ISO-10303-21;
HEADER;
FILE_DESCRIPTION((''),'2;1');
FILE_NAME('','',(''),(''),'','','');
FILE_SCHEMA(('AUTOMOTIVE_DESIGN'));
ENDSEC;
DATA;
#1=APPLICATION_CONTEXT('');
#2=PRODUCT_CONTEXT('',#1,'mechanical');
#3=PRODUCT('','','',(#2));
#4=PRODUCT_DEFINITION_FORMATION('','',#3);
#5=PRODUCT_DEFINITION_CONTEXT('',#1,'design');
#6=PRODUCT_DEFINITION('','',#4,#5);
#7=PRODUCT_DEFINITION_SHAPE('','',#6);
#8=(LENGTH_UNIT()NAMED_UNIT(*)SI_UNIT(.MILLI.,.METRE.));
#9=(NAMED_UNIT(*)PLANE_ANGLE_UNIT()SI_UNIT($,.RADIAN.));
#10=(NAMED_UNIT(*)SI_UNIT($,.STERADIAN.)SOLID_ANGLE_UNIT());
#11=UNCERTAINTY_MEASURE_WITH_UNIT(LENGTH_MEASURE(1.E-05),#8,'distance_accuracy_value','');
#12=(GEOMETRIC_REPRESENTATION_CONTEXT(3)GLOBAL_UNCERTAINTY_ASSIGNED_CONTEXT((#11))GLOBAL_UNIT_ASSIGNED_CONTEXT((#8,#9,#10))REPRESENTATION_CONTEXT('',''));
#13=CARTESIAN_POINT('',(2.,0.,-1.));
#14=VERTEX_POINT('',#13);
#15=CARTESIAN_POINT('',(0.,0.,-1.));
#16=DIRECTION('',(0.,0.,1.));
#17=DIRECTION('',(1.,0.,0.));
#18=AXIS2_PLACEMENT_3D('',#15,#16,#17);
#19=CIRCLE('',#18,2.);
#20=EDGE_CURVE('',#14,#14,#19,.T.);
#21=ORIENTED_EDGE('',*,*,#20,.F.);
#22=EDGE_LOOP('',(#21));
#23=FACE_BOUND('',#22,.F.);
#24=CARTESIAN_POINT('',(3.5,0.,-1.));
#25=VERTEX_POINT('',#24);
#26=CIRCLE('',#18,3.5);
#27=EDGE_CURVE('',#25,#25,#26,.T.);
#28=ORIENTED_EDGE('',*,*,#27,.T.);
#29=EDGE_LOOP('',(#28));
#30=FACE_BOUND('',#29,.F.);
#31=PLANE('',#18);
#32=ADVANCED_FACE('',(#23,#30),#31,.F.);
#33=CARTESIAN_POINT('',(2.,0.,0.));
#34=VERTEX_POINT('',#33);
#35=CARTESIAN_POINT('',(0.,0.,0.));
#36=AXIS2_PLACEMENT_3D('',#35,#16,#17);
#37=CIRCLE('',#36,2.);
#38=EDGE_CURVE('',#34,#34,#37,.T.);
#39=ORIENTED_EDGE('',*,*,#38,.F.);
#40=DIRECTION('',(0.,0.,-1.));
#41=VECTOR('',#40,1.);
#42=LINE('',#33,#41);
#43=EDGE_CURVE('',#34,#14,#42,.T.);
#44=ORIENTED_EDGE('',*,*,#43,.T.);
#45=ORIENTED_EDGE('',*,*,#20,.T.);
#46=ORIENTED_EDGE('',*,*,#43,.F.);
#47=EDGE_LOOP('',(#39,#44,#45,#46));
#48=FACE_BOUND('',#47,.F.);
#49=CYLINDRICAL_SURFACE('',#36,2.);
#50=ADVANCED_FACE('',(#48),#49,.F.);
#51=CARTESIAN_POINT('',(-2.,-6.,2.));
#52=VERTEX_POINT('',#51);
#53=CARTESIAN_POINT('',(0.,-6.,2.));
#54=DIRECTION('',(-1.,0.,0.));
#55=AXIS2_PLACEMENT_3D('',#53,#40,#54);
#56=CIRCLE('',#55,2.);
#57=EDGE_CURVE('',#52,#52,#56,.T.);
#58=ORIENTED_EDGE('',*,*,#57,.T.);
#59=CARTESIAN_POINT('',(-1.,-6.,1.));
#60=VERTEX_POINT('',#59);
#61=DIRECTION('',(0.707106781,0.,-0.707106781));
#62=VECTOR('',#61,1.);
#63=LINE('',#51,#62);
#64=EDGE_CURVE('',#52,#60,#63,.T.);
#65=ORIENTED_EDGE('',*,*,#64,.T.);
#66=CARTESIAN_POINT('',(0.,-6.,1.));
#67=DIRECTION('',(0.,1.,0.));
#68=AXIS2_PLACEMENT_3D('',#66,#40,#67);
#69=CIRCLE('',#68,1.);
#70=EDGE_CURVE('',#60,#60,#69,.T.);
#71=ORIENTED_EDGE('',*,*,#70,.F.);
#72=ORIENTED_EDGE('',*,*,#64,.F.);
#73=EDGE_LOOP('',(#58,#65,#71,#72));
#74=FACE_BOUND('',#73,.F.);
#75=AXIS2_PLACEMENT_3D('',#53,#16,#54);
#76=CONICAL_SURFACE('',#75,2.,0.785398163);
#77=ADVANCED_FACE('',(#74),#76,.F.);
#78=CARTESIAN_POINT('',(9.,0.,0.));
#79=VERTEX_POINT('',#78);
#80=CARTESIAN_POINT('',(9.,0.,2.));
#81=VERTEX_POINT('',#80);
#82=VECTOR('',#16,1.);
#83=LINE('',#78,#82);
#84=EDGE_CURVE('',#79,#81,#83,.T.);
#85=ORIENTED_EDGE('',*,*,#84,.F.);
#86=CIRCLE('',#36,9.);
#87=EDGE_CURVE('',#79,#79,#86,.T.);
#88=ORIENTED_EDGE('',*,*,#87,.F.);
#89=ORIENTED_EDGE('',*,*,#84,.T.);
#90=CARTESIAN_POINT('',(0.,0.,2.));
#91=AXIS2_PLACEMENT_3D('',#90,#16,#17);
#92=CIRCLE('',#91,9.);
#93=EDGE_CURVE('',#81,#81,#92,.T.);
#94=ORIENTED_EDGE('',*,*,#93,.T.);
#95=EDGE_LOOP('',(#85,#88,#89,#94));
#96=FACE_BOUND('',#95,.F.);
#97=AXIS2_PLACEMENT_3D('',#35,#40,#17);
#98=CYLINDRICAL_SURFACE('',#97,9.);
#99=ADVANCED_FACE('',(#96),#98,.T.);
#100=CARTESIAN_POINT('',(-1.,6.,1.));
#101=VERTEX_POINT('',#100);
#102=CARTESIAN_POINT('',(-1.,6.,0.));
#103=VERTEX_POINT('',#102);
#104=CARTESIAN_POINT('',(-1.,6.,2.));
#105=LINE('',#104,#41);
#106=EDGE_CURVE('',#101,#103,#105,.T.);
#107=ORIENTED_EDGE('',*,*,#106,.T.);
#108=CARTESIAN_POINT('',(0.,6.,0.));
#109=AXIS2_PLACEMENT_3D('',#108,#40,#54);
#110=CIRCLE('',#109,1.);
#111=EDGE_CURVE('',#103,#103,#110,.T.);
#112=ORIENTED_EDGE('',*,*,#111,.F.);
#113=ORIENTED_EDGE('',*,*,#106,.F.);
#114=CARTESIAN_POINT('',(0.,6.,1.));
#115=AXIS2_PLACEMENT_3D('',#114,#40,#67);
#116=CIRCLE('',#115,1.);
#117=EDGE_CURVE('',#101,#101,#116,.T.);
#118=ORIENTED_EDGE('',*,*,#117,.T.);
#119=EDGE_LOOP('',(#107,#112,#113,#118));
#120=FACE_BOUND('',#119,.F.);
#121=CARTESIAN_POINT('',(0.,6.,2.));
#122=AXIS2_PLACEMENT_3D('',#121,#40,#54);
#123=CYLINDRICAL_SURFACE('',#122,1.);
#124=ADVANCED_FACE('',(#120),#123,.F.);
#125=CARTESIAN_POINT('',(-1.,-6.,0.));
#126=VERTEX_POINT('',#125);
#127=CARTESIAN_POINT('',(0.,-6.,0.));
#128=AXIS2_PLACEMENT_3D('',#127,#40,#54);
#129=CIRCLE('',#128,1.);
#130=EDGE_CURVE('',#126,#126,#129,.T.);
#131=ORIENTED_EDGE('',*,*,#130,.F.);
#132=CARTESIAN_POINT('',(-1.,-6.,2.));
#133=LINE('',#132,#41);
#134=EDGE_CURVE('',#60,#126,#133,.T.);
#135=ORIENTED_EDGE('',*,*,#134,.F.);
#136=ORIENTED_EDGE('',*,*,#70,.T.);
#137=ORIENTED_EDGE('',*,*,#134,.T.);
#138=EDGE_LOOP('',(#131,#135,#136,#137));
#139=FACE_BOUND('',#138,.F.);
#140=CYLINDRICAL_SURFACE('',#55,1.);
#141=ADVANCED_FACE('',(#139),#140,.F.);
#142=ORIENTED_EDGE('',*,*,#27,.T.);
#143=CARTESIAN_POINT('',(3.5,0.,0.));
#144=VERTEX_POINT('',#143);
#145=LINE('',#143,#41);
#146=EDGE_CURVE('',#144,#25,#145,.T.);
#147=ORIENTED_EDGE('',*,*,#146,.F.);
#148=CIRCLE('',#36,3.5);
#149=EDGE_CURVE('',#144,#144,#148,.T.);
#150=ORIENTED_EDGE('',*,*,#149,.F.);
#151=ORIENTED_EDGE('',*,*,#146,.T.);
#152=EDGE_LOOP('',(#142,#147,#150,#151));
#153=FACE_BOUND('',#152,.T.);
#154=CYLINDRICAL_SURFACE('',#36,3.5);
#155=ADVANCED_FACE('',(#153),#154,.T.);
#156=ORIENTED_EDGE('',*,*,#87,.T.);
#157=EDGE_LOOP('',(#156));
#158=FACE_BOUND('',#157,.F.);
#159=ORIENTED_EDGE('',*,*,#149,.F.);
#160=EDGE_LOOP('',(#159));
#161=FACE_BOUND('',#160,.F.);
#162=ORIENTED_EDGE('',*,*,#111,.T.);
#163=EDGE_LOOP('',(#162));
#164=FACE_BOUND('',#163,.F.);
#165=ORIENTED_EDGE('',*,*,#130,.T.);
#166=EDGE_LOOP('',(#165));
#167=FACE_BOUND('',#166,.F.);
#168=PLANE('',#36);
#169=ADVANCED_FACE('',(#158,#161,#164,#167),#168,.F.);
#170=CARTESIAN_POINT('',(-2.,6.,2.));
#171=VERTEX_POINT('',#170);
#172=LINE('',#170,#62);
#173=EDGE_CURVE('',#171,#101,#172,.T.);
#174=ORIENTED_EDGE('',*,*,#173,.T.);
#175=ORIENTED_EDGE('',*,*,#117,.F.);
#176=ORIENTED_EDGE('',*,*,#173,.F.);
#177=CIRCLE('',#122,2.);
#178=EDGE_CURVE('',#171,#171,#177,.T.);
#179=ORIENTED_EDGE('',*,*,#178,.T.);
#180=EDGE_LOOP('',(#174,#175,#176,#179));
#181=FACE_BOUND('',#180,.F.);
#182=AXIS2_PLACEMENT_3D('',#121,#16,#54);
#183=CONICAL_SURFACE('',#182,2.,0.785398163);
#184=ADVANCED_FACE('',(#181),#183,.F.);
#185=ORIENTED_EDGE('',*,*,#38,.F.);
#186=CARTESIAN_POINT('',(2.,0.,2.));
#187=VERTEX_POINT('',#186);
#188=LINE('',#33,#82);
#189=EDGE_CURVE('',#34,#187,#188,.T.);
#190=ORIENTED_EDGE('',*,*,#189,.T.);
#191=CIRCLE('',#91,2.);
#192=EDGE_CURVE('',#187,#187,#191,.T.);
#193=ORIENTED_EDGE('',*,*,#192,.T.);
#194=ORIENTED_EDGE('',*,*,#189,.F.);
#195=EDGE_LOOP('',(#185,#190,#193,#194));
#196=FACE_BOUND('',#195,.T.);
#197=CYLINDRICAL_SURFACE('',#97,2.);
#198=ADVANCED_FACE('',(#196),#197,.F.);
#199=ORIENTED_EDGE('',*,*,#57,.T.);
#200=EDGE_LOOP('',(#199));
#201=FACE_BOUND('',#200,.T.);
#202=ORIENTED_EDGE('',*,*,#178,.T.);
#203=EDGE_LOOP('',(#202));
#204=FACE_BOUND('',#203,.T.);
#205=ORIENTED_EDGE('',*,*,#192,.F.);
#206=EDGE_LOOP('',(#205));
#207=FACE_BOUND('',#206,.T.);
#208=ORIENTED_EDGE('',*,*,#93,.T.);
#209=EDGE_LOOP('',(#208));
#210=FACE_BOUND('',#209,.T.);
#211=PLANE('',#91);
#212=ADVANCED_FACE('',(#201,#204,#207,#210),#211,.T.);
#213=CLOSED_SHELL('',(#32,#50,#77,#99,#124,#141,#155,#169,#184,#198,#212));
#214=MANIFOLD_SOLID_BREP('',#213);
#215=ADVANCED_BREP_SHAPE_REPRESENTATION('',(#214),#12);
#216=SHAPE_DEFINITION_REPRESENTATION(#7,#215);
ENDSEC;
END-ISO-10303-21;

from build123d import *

# Parameters (mm, degrees)
F0_R           = 9
F0_R_2         = 3.5
F0_R_3         = 2
F1_DEPTH       = 2
F2_DEPTH       = 1
F4_D           = 2
F4_CSINK_D     = 4
F4_CSINK_ANGLE = 90


with BuildPart() as f1:
    # F0 (on Top) → F1 (new body)
    with BuildSketch(Plane.XY):
        Circle(F0_R)
        Circle(F0_R_2, mode=Mode.SUBTRACT)
        Circle(F0_R_2)
        Circle(F0_R_3, mode=Mode.SUBTRACT)
    extrude(amount=F1_DEPTH)

    # F0 (on Top) → F2 (join)
    with BuildSketch(Plane.XY):
        Circle(F0_R_2)
        Circle(F0_R_3, mode=Mode.SUBTRACT)
    extrude(amount=-F2_DEPTH)

    # F4 (through all)
    with Locations(Plane.XY.offset(2)):
        with Locations((0, 6), (0, -6)):
            CounterSinkHole(F4_D / 2, F4_CSINK_D / 2, counter_sink_angle=F4_CSINK_ANGLE)


solid = f1.part
